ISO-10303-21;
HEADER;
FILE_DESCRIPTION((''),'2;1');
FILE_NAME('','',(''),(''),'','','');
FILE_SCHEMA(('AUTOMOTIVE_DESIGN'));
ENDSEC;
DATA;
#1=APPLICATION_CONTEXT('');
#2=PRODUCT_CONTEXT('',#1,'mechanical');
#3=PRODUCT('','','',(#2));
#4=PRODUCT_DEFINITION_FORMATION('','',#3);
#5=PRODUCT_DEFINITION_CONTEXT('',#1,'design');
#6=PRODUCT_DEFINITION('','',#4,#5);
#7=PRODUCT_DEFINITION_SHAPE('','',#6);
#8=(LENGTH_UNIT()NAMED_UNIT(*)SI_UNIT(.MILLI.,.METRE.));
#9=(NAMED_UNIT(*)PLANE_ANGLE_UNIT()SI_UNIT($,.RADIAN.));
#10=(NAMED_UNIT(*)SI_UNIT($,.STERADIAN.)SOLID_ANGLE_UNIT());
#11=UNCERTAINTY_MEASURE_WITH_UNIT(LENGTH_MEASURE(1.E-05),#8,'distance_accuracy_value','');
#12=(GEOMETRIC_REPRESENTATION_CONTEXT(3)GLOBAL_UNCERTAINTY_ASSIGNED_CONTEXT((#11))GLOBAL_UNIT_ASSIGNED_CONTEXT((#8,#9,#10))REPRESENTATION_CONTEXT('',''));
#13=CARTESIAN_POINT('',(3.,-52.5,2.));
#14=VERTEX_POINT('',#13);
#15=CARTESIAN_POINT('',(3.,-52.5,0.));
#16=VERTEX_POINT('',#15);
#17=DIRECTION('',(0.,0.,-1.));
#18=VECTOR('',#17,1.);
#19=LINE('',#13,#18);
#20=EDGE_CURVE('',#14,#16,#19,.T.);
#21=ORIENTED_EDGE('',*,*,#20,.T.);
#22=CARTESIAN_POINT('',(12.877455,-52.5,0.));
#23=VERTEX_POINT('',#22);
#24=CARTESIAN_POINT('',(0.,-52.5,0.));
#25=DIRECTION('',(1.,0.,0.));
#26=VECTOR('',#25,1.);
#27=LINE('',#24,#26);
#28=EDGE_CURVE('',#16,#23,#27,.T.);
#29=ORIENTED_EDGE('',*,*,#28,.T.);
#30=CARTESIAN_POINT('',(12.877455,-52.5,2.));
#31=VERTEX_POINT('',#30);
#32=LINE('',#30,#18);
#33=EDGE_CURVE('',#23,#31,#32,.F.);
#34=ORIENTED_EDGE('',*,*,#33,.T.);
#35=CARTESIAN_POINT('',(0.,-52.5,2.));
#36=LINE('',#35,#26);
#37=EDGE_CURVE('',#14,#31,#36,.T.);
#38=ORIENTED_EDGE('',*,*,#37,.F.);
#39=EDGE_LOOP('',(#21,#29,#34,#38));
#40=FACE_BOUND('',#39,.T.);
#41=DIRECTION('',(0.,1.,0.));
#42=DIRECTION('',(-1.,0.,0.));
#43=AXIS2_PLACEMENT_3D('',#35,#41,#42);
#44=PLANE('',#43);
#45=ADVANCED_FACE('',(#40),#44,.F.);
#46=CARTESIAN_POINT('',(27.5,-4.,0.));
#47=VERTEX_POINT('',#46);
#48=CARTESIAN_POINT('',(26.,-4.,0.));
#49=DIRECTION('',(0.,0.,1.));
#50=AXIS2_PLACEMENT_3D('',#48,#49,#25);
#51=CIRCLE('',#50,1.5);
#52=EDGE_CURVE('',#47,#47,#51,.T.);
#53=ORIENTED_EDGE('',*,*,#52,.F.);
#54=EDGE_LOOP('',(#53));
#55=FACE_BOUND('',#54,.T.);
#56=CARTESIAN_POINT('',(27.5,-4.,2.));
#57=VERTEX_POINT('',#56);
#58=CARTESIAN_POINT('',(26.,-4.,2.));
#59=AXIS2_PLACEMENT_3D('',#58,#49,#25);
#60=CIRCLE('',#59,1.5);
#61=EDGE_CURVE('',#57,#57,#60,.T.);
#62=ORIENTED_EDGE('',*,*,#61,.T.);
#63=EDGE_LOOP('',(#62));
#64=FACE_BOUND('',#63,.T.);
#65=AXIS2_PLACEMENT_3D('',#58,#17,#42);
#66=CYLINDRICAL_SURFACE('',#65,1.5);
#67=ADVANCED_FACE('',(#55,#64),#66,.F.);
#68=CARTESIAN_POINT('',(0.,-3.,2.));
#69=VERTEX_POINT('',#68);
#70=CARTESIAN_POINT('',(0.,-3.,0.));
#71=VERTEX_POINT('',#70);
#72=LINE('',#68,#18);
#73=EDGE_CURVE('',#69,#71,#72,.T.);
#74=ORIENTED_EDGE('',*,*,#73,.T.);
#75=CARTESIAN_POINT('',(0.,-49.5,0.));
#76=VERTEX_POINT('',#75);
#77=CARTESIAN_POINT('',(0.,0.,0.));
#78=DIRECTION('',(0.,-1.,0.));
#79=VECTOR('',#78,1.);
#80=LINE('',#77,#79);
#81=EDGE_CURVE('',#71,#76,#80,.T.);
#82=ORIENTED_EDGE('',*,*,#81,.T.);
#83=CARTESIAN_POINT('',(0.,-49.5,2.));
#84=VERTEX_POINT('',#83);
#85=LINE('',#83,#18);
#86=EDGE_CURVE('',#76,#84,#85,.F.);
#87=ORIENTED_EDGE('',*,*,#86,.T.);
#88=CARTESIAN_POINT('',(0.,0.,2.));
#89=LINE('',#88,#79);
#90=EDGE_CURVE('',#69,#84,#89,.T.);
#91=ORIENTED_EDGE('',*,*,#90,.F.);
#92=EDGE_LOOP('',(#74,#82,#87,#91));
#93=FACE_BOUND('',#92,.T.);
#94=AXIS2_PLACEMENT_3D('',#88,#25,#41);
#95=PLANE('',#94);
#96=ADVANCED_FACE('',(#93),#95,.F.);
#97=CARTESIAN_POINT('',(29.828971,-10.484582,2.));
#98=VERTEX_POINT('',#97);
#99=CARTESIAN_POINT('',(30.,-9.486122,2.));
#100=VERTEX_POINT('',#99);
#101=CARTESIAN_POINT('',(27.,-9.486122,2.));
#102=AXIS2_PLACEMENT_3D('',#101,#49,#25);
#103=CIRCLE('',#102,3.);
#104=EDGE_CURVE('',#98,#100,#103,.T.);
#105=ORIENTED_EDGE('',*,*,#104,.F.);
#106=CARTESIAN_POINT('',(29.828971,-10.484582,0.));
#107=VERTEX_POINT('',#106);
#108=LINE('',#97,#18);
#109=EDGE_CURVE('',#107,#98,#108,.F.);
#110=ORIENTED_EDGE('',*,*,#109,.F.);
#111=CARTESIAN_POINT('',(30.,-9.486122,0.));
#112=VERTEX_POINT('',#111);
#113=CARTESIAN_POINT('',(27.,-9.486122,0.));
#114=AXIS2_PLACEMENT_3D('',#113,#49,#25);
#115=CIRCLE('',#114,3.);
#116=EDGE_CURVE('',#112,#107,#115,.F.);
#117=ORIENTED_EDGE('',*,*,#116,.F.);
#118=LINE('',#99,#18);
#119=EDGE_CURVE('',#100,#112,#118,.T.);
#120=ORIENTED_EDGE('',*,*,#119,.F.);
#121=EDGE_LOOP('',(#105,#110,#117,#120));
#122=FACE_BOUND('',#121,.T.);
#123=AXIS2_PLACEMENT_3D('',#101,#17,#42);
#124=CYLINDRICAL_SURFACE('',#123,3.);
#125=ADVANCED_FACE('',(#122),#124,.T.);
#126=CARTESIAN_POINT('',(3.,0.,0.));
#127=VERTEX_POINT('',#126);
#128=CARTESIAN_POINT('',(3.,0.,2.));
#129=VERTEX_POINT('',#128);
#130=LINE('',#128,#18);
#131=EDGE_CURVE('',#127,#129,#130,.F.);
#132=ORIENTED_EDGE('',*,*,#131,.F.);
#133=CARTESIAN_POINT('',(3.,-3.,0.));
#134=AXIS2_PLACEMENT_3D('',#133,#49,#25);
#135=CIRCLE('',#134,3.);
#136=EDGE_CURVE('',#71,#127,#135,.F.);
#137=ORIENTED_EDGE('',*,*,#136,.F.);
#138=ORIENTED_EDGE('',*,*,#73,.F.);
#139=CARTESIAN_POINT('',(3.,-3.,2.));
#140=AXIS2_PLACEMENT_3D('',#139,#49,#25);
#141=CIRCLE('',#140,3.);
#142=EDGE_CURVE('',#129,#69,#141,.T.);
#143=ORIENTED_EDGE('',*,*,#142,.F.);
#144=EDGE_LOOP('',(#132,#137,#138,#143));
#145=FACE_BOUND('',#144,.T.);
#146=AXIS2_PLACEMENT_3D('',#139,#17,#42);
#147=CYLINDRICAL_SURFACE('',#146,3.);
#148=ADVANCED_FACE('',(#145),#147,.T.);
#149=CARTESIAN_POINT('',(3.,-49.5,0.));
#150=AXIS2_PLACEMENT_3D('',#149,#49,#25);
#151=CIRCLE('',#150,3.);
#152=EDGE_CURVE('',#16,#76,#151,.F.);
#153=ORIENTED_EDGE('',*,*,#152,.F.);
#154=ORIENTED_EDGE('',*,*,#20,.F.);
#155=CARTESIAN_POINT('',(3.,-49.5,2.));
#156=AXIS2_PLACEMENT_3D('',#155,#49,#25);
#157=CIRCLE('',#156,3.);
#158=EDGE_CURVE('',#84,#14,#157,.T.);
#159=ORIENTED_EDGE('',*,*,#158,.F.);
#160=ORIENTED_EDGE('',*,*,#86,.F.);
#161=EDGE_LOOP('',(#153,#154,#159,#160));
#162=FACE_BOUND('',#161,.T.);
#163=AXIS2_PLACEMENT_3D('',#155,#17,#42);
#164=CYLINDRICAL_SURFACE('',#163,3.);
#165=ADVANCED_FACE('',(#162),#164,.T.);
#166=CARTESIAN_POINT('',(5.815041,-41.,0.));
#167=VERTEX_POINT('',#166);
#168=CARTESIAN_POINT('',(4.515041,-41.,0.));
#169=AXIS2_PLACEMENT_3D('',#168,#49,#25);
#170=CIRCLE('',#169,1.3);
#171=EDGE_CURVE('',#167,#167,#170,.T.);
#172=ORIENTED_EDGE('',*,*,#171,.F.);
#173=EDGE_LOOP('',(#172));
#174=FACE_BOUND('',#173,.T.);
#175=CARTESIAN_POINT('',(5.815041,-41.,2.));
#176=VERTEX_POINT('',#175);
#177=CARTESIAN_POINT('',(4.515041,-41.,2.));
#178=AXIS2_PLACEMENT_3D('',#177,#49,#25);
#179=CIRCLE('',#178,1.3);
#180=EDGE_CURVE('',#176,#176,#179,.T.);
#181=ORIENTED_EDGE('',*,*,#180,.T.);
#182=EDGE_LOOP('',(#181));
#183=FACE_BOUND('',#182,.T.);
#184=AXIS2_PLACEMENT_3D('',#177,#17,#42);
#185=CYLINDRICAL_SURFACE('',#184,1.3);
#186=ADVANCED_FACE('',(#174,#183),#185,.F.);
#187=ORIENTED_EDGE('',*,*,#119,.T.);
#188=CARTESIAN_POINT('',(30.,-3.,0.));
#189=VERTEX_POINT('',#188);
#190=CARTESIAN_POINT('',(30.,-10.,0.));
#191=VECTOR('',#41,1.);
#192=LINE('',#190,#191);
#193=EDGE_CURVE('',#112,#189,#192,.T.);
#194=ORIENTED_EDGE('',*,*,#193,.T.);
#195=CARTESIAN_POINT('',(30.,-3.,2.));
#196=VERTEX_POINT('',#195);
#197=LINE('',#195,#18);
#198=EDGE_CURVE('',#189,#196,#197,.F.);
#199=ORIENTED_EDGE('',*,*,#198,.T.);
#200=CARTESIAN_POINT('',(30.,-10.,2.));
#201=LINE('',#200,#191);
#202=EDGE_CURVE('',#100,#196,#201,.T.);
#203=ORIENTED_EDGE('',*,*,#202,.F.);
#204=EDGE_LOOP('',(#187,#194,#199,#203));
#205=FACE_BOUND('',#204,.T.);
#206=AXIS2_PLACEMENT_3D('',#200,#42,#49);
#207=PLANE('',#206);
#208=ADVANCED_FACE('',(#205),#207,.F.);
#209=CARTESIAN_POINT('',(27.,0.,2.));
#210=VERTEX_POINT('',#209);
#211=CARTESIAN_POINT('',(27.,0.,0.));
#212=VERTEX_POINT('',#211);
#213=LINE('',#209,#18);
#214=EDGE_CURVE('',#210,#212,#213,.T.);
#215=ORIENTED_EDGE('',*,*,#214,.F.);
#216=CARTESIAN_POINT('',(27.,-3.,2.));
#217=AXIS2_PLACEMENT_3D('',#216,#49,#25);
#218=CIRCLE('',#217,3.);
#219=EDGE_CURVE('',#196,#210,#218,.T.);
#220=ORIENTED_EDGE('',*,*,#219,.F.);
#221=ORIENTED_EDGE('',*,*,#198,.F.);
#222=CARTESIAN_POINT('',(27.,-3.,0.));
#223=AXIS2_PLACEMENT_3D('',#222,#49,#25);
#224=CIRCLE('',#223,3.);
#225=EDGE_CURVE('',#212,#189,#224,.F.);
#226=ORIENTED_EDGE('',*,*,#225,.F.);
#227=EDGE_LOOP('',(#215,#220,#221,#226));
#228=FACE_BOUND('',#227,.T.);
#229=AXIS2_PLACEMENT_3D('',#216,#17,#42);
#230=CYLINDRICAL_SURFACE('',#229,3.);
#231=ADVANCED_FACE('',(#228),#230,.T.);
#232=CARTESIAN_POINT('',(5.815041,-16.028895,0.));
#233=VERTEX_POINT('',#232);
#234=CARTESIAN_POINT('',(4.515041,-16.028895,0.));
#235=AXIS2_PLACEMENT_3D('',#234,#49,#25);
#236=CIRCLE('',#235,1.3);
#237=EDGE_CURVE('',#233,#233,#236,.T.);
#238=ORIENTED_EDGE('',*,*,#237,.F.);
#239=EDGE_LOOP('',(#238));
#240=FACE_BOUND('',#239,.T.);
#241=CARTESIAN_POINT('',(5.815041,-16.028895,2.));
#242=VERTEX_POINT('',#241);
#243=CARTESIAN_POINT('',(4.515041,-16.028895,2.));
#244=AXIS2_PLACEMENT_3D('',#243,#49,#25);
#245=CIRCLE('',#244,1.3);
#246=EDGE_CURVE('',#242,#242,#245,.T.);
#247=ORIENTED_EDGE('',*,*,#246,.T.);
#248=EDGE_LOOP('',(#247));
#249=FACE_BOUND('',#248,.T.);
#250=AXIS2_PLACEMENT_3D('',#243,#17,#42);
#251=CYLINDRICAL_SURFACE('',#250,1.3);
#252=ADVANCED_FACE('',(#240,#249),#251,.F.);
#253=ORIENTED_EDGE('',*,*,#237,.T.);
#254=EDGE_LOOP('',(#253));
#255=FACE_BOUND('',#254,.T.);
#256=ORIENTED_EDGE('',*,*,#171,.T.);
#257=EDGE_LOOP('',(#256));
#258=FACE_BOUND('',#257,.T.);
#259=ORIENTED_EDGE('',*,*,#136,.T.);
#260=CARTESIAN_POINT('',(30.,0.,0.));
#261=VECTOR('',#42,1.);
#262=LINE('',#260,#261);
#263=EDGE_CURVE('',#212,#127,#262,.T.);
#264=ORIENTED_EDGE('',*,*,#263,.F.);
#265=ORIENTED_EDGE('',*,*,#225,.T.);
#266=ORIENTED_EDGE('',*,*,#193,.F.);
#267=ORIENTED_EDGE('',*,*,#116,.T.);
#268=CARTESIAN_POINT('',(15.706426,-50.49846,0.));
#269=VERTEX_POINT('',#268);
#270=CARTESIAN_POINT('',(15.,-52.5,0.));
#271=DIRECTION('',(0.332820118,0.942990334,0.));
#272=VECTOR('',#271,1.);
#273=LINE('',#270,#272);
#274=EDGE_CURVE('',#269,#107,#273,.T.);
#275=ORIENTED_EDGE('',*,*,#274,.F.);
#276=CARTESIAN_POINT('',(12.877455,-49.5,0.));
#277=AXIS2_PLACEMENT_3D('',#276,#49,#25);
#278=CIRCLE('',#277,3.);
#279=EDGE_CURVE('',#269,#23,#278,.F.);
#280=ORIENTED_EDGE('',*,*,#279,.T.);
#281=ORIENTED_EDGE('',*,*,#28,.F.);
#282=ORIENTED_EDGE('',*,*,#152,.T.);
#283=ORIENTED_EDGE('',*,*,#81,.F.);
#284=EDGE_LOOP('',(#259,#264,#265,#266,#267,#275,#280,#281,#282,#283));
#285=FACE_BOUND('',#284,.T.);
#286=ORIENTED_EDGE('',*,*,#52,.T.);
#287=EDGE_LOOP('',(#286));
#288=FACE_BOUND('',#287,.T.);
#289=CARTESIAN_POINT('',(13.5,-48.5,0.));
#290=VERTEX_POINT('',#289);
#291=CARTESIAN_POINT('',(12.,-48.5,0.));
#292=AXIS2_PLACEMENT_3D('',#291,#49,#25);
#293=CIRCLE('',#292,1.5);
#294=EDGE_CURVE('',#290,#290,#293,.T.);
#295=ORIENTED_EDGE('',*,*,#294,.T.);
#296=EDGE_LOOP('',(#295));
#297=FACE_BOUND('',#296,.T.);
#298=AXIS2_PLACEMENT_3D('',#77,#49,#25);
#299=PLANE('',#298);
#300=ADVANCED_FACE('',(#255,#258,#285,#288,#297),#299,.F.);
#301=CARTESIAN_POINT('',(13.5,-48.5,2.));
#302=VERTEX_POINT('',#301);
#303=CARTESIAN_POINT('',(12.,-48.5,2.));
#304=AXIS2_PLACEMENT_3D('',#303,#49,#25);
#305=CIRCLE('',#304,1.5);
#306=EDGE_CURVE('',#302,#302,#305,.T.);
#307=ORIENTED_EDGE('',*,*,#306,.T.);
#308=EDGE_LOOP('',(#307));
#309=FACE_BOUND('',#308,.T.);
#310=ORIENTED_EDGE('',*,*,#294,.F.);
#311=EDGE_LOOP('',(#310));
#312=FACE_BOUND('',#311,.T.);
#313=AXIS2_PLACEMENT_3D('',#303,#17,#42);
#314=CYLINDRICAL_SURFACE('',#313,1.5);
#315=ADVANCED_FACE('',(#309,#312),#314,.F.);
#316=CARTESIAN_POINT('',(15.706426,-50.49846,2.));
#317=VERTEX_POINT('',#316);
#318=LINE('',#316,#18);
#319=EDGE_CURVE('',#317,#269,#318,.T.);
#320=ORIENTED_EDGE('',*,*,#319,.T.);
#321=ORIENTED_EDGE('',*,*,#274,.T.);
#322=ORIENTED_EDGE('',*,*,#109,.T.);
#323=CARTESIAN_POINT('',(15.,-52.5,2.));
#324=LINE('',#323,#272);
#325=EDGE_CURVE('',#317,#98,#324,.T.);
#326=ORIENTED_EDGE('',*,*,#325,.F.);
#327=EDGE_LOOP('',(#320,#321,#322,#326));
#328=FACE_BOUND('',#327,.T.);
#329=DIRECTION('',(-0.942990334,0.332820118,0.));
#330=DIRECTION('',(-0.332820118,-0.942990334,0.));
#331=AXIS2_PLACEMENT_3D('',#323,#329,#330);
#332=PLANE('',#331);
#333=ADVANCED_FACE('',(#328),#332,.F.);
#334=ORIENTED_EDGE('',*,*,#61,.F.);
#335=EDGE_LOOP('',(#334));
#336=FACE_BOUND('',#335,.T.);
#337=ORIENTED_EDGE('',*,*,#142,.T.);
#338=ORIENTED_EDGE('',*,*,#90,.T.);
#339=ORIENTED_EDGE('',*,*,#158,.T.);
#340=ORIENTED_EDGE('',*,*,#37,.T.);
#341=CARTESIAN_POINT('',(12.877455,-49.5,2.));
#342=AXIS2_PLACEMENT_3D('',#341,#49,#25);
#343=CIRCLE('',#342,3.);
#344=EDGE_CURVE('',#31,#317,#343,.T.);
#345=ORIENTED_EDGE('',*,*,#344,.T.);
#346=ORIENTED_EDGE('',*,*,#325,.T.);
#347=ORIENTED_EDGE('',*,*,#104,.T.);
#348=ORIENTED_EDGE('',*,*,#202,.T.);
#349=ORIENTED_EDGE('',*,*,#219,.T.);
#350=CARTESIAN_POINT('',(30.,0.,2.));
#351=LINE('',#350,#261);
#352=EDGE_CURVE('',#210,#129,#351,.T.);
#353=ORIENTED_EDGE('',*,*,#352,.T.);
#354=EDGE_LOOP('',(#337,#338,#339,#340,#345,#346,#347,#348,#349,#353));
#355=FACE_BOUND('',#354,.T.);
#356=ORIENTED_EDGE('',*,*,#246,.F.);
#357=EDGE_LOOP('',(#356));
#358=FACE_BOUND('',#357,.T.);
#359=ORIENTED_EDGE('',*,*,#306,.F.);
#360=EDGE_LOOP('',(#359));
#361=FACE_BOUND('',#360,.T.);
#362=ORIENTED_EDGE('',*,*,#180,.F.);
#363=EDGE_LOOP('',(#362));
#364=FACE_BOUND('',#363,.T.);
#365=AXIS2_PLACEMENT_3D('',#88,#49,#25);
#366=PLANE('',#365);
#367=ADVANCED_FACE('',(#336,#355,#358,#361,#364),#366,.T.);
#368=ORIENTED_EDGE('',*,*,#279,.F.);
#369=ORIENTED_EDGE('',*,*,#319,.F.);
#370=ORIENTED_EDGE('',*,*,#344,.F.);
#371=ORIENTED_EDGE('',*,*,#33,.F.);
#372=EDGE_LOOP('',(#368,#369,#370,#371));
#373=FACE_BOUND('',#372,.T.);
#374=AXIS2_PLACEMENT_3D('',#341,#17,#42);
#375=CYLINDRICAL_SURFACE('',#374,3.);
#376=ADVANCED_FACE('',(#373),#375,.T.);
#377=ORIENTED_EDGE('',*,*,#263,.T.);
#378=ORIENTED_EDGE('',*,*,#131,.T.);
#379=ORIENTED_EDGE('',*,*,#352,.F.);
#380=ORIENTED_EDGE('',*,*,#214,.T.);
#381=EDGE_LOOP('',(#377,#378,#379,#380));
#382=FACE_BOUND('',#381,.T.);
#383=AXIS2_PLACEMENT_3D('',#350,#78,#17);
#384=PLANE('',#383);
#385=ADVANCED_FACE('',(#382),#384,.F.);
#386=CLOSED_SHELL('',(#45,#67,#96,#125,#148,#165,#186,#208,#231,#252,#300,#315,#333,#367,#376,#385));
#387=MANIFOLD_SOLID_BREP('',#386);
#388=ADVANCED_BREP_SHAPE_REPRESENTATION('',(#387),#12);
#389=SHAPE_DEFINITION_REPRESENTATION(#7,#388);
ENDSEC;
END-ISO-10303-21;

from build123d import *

# Parameters (mm, degrees)
SKETCH_1_R      = 1.5
SKETCH_1_R_2    = 1.3
EXTRUDE_1_DEPTH = 2
FILLET_1_R      = 3


with BuildPart() as part:
    # 草图1 → 凸台-拉伸1 (new body)
    with BuildSketch(Plane.XY):
        Polygon((30, 0), (0, 0), (0, -52.5), (15, -52.5), (30, -10), align=None)
        with Locations((26, -4)):
            Circle(SKETCH_1_R, mode=Mode.SUBTRACT)
        with Locations((12, -48.5)):
            Circle(SKETCH_1_R, mode=Mode.SUBTRACT)
        with Locations((4.515040622, -41)):
            Circle(SKETCH_1_R_2, mode=Mode.SUBTRACT)
        with Locations((4.515040622, -16.028894545)):
            Circle(SKETCH_1_R_2, mode=Mode.SUBTRACT)
    extrude(amount=EXTRUDE_1_DEPTH)

    # 圆角1
    fillet_1_edges = [part.edges().sort_by_distance(p)[0] for p in [
        (30, -10, 1),
        (15, -52.5, 1),
        (0, -52.5, 1),
        (0, 0, 1),
        (30, 0, 1),
    ]]
    fillet(fillet_1_edges, radius=FILLET_1_R)


solid = part.part
